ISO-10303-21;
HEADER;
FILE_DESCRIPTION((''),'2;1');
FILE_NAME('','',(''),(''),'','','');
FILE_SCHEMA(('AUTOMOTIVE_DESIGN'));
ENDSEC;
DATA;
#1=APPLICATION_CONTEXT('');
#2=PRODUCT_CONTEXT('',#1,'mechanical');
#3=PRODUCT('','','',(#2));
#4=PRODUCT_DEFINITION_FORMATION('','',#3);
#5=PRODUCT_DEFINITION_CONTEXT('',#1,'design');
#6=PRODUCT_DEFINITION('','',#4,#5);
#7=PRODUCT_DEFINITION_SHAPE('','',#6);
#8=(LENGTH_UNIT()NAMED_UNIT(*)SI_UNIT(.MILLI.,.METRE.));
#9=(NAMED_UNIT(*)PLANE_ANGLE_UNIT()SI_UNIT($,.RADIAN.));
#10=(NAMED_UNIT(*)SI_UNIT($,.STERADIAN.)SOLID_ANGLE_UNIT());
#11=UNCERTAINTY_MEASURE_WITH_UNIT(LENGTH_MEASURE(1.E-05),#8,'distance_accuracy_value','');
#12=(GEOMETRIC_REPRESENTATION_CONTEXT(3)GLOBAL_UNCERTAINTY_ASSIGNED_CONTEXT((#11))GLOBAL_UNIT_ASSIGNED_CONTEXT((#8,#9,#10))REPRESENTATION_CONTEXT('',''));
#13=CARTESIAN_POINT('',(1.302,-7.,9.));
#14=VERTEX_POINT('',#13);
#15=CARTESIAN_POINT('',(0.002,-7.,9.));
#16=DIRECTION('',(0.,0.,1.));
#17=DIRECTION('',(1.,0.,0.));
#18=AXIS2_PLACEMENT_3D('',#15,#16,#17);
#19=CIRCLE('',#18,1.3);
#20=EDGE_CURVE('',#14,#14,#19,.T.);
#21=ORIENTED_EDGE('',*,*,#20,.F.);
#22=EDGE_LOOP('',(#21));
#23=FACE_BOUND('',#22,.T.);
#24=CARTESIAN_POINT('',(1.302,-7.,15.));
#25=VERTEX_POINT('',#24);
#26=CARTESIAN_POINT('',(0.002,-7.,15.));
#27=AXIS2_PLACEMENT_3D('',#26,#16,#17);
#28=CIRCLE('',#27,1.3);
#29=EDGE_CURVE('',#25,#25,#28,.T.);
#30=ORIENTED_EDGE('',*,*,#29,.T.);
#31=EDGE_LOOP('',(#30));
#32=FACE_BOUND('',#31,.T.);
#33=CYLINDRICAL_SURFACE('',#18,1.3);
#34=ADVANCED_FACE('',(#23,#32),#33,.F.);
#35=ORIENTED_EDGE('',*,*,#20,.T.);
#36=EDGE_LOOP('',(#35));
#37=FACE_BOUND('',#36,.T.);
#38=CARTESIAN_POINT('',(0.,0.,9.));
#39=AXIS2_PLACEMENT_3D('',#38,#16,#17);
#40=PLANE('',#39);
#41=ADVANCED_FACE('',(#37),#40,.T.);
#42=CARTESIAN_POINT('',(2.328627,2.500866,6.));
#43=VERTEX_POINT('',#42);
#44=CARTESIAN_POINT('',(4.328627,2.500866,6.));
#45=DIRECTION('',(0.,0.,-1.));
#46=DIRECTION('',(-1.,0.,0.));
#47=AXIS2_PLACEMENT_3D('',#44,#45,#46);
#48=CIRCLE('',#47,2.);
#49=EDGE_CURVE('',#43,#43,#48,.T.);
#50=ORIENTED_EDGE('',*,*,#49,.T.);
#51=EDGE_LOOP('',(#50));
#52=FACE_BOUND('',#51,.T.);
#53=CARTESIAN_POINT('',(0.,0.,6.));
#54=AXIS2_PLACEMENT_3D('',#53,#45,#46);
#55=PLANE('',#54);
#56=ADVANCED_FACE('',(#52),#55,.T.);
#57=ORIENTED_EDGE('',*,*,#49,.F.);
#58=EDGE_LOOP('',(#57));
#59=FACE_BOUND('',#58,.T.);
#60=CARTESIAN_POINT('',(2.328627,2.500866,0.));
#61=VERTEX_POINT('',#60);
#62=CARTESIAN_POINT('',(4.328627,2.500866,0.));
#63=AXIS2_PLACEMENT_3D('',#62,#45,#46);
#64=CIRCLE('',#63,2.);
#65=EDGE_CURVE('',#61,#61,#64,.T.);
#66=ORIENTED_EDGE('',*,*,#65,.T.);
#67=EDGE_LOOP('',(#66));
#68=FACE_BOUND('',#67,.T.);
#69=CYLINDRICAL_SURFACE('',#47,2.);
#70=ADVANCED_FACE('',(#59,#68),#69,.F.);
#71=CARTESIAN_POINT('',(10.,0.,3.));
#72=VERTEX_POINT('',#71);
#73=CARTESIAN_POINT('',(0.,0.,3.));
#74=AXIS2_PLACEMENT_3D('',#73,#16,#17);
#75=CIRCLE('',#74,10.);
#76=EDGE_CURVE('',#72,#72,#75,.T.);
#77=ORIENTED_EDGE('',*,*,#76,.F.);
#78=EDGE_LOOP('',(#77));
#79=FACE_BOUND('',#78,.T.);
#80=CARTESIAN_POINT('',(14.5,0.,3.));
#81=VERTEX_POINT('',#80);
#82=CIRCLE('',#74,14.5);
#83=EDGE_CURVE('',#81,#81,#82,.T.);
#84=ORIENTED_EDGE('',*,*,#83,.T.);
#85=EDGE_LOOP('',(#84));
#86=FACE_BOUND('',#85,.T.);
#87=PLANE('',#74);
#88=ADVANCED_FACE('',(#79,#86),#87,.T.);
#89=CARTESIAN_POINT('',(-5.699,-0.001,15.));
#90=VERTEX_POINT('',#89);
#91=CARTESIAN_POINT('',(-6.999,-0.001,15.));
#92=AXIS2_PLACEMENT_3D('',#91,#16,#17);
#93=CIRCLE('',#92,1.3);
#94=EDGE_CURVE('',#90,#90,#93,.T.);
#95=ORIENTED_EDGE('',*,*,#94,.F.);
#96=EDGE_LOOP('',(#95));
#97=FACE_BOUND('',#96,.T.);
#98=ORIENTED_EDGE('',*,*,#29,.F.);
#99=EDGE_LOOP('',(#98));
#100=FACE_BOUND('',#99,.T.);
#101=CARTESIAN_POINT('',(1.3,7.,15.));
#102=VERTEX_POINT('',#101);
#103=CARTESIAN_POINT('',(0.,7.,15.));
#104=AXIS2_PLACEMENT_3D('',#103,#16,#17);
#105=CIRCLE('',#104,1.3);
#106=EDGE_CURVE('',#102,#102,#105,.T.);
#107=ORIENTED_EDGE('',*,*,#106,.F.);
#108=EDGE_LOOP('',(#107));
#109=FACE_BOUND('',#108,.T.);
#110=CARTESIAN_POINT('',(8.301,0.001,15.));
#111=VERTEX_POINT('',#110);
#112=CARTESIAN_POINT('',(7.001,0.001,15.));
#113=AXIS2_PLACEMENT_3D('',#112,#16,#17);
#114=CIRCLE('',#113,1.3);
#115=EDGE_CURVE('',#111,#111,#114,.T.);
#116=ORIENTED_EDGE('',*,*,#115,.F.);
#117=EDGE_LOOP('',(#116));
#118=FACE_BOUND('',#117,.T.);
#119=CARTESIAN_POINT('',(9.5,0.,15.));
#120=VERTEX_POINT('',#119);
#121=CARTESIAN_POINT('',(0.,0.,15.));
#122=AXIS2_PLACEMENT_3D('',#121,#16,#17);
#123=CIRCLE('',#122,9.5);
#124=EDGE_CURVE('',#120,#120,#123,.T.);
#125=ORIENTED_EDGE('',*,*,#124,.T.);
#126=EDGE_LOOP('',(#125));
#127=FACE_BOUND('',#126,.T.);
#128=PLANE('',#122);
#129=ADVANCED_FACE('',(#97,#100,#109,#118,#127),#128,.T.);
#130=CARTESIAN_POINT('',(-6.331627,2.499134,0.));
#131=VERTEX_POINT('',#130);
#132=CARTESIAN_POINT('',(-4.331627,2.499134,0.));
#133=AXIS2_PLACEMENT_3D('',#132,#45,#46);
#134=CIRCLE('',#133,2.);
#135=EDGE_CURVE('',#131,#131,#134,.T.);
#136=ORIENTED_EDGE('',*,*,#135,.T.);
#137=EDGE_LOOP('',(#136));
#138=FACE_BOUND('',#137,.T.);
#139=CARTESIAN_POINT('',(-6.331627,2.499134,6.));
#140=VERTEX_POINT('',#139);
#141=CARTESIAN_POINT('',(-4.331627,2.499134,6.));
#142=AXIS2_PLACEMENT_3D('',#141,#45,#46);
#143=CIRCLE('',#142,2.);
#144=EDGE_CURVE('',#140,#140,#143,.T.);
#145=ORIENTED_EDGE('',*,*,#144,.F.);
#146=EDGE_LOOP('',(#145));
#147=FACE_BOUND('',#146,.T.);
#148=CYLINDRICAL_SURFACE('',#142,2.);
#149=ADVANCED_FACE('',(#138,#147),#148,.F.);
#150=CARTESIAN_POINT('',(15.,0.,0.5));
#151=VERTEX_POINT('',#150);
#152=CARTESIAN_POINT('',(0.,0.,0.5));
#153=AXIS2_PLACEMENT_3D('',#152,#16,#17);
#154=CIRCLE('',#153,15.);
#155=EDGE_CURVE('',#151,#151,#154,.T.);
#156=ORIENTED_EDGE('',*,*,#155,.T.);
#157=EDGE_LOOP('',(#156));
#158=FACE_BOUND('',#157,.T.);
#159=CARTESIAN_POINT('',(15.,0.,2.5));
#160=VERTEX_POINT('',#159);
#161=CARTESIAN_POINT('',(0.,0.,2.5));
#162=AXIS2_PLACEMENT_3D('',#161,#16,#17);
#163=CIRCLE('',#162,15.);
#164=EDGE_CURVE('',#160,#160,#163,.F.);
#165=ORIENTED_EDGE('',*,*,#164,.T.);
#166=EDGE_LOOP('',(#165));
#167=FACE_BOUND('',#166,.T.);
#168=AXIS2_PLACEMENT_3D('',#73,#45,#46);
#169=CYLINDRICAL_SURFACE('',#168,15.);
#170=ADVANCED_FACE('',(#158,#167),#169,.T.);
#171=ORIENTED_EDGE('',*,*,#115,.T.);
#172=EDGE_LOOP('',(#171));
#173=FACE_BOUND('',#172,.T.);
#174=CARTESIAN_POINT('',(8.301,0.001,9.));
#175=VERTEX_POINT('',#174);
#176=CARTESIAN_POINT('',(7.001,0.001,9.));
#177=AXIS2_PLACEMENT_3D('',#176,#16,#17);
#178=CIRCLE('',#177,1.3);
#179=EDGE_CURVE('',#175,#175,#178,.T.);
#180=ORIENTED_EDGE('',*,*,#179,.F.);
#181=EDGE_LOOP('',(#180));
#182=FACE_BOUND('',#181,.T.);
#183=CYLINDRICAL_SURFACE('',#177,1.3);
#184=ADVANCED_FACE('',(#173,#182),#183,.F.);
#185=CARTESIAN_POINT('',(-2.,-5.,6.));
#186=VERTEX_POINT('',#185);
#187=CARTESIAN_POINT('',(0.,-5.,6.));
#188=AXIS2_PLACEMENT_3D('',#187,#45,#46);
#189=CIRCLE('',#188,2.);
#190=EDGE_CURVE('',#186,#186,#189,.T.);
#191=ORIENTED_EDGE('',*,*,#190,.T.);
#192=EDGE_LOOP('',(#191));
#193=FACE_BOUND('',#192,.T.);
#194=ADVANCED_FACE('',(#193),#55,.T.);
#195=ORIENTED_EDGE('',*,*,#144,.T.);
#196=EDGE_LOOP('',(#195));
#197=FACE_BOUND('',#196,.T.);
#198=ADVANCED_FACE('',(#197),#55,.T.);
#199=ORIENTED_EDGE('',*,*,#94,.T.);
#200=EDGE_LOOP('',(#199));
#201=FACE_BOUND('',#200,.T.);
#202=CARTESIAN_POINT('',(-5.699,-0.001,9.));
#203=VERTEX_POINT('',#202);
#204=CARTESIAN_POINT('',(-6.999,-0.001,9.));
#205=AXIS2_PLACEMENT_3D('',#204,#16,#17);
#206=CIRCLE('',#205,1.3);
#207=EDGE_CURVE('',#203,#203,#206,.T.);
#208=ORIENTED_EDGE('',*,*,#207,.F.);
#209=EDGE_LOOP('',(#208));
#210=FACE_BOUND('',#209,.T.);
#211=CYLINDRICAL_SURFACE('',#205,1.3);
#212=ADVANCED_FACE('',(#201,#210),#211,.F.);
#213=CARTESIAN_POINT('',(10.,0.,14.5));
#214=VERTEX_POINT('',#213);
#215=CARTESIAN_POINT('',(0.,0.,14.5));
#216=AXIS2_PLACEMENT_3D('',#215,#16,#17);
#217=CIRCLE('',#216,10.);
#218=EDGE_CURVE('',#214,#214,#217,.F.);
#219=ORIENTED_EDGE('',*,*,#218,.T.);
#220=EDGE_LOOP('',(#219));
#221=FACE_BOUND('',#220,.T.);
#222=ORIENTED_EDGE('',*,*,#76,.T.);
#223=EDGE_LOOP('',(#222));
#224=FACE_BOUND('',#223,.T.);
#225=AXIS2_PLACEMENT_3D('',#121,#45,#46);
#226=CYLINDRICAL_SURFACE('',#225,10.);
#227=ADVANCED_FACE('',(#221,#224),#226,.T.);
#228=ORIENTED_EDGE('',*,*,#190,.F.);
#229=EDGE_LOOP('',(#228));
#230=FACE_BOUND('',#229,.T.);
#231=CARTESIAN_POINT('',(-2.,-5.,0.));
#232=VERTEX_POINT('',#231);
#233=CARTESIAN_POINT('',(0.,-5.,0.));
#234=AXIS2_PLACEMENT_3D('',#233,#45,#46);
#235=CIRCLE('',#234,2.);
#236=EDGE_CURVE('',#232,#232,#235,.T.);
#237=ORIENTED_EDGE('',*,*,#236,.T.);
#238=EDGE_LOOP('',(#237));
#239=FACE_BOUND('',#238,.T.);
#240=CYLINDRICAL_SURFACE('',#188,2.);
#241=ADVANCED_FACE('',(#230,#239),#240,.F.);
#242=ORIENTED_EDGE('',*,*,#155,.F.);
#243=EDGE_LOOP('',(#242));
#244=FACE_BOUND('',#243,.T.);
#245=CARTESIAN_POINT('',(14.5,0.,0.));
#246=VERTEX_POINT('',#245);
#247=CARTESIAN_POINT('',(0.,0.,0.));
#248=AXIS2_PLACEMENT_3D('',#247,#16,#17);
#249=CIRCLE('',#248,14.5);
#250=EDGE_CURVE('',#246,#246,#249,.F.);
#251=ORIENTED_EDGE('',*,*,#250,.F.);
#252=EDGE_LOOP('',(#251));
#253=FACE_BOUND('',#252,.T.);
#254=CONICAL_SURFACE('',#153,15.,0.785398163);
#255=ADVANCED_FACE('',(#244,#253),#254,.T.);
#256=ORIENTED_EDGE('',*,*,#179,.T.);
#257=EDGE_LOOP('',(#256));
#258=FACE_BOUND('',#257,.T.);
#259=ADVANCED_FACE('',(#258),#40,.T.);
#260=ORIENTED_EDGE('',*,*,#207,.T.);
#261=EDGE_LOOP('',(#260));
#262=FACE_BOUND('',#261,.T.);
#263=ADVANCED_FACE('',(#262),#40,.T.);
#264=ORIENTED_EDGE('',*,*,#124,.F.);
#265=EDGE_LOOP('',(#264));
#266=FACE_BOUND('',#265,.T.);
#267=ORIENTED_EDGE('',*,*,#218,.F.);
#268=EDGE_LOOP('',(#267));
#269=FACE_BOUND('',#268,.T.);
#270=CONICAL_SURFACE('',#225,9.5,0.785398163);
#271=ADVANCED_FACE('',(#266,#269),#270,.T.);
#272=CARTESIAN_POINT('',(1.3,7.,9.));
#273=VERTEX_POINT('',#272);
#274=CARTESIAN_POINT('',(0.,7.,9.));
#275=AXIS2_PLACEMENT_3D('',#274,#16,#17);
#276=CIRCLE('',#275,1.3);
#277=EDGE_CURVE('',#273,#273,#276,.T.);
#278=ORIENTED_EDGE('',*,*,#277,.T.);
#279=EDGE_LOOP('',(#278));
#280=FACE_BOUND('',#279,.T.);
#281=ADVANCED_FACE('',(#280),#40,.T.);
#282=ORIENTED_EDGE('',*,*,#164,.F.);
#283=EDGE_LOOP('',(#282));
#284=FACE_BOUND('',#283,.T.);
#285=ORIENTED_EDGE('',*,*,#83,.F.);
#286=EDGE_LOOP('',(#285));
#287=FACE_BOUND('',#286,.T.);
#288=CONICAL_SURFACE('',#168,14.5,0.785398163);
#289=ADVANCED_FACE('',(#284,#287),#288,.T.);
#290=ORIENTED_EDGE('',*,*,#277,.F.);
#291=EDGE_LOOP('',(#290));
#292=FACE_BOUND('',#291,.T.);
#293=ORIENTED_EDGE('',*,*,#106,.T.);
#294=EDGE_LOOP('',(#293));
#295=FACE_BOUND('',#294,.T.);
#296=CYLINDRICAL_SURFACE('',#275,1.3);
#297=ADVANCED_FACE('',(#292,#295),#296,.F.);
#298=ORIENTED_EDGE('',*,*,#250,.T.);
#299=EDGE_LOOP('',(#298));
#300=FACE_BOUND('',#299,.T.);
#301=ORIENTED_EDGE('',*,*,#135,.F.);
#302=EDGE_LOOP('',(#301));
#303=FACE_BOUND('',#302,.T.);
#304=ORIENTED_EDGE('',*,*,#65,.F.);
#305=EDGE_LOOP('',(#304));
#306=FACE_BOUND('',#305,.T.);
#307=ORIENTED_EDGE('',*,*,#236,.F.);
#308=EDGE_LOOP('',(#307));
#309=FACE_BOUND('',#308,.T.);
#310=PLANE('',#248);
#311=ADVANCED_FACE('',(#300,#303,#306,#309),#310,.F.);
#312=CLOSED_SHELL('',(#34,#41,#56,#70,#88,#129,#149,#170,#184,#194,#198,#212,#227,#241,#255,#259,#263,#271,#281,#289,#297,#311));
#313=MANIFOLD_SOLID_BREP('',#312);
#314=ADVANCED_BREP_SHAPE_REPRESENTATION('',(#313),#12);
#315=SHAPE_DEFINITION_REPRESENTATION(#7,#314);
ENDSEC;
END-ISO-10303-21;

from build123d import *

# Parameters (mm, degrees)
SKETCH_1_R          = 15
EXTRUDE_1_DEPTH     = 3
SKETCH_2_R          = 10
EXTRUDE_2_DEPTH     = 12
SKETCH_3_R          = 1.3
CUT_EXTRUDE_1_DEPTH = 6
SKETCH_4_R          = 2
CUT_EXTRUDE_2_DEPTH = 6
CHAMFER_1_SIZE      = 0.5


with BuildPart() as part:
    # 草图1 → 凸台-拉伸1 (new body)
    with BuildSketch(Plane.XY):
        Circle(SKETCH_1_R)
    extrude(amount=EXTRUDE_1_DEPTH)

    # 草图2 → 凸台-拉伸2 (add)
    with BuildSketch(Plane.XY.offset(3)):
        Circle(SKETCH_2_R)
    extrude(amount=EXTRUDE_2_DEPTH)

    # 草图3 → 切除-拉伸1 (cut)
    with BuildSketch(Plane.XY.offset(15)):
        with Locations((-6.999, -0.001)):
            Circle(SKETCH_3_R)
        with Locations((0, 7)):
            Circle(SKETCH_3_R)
        with Locations((0.002, -7)):
            Circle(SKETCH_3_R)
        with Locations((7.001, 0.001)):
            Circle(SKETCH_3_R)
    extrude(amount=-CUT_EXTRUDE_1_DEPTH, mode=Mode.SUBTRACT)

    # 草图4 → 切除-拉伸2 (cut)
    with BuildSketch(Plane(origin=(0, 0, 0), x_dir=(-1, 0, 0), z_dir=(0, 0, -1))):
        with Locations((0, -5)):
            Circle(SKETCH_4_R)
        with Locations((-4.328627019, 2.500866025)):
            Circle(SKETCH_4_R)
        with Locations((4.331627019, 2.499133975)):
            Circle(SKETCH_4_R)
    extrude(amount=-CUT_EXTRUDE_2_DEPTH, mode=Mode.SUBTRACT)

    # 倒角1
    chamfer_1_edges = [part.edges().sort_by_distance(p)[0] for p in [
        (-15, 0, 0),
        (-15, 0, 3),
        (-10, 0, 15),
    ]]
    chamfer(chamfer_1_edges, length=CHAMFER_1_SIZE)


solid = part.part
